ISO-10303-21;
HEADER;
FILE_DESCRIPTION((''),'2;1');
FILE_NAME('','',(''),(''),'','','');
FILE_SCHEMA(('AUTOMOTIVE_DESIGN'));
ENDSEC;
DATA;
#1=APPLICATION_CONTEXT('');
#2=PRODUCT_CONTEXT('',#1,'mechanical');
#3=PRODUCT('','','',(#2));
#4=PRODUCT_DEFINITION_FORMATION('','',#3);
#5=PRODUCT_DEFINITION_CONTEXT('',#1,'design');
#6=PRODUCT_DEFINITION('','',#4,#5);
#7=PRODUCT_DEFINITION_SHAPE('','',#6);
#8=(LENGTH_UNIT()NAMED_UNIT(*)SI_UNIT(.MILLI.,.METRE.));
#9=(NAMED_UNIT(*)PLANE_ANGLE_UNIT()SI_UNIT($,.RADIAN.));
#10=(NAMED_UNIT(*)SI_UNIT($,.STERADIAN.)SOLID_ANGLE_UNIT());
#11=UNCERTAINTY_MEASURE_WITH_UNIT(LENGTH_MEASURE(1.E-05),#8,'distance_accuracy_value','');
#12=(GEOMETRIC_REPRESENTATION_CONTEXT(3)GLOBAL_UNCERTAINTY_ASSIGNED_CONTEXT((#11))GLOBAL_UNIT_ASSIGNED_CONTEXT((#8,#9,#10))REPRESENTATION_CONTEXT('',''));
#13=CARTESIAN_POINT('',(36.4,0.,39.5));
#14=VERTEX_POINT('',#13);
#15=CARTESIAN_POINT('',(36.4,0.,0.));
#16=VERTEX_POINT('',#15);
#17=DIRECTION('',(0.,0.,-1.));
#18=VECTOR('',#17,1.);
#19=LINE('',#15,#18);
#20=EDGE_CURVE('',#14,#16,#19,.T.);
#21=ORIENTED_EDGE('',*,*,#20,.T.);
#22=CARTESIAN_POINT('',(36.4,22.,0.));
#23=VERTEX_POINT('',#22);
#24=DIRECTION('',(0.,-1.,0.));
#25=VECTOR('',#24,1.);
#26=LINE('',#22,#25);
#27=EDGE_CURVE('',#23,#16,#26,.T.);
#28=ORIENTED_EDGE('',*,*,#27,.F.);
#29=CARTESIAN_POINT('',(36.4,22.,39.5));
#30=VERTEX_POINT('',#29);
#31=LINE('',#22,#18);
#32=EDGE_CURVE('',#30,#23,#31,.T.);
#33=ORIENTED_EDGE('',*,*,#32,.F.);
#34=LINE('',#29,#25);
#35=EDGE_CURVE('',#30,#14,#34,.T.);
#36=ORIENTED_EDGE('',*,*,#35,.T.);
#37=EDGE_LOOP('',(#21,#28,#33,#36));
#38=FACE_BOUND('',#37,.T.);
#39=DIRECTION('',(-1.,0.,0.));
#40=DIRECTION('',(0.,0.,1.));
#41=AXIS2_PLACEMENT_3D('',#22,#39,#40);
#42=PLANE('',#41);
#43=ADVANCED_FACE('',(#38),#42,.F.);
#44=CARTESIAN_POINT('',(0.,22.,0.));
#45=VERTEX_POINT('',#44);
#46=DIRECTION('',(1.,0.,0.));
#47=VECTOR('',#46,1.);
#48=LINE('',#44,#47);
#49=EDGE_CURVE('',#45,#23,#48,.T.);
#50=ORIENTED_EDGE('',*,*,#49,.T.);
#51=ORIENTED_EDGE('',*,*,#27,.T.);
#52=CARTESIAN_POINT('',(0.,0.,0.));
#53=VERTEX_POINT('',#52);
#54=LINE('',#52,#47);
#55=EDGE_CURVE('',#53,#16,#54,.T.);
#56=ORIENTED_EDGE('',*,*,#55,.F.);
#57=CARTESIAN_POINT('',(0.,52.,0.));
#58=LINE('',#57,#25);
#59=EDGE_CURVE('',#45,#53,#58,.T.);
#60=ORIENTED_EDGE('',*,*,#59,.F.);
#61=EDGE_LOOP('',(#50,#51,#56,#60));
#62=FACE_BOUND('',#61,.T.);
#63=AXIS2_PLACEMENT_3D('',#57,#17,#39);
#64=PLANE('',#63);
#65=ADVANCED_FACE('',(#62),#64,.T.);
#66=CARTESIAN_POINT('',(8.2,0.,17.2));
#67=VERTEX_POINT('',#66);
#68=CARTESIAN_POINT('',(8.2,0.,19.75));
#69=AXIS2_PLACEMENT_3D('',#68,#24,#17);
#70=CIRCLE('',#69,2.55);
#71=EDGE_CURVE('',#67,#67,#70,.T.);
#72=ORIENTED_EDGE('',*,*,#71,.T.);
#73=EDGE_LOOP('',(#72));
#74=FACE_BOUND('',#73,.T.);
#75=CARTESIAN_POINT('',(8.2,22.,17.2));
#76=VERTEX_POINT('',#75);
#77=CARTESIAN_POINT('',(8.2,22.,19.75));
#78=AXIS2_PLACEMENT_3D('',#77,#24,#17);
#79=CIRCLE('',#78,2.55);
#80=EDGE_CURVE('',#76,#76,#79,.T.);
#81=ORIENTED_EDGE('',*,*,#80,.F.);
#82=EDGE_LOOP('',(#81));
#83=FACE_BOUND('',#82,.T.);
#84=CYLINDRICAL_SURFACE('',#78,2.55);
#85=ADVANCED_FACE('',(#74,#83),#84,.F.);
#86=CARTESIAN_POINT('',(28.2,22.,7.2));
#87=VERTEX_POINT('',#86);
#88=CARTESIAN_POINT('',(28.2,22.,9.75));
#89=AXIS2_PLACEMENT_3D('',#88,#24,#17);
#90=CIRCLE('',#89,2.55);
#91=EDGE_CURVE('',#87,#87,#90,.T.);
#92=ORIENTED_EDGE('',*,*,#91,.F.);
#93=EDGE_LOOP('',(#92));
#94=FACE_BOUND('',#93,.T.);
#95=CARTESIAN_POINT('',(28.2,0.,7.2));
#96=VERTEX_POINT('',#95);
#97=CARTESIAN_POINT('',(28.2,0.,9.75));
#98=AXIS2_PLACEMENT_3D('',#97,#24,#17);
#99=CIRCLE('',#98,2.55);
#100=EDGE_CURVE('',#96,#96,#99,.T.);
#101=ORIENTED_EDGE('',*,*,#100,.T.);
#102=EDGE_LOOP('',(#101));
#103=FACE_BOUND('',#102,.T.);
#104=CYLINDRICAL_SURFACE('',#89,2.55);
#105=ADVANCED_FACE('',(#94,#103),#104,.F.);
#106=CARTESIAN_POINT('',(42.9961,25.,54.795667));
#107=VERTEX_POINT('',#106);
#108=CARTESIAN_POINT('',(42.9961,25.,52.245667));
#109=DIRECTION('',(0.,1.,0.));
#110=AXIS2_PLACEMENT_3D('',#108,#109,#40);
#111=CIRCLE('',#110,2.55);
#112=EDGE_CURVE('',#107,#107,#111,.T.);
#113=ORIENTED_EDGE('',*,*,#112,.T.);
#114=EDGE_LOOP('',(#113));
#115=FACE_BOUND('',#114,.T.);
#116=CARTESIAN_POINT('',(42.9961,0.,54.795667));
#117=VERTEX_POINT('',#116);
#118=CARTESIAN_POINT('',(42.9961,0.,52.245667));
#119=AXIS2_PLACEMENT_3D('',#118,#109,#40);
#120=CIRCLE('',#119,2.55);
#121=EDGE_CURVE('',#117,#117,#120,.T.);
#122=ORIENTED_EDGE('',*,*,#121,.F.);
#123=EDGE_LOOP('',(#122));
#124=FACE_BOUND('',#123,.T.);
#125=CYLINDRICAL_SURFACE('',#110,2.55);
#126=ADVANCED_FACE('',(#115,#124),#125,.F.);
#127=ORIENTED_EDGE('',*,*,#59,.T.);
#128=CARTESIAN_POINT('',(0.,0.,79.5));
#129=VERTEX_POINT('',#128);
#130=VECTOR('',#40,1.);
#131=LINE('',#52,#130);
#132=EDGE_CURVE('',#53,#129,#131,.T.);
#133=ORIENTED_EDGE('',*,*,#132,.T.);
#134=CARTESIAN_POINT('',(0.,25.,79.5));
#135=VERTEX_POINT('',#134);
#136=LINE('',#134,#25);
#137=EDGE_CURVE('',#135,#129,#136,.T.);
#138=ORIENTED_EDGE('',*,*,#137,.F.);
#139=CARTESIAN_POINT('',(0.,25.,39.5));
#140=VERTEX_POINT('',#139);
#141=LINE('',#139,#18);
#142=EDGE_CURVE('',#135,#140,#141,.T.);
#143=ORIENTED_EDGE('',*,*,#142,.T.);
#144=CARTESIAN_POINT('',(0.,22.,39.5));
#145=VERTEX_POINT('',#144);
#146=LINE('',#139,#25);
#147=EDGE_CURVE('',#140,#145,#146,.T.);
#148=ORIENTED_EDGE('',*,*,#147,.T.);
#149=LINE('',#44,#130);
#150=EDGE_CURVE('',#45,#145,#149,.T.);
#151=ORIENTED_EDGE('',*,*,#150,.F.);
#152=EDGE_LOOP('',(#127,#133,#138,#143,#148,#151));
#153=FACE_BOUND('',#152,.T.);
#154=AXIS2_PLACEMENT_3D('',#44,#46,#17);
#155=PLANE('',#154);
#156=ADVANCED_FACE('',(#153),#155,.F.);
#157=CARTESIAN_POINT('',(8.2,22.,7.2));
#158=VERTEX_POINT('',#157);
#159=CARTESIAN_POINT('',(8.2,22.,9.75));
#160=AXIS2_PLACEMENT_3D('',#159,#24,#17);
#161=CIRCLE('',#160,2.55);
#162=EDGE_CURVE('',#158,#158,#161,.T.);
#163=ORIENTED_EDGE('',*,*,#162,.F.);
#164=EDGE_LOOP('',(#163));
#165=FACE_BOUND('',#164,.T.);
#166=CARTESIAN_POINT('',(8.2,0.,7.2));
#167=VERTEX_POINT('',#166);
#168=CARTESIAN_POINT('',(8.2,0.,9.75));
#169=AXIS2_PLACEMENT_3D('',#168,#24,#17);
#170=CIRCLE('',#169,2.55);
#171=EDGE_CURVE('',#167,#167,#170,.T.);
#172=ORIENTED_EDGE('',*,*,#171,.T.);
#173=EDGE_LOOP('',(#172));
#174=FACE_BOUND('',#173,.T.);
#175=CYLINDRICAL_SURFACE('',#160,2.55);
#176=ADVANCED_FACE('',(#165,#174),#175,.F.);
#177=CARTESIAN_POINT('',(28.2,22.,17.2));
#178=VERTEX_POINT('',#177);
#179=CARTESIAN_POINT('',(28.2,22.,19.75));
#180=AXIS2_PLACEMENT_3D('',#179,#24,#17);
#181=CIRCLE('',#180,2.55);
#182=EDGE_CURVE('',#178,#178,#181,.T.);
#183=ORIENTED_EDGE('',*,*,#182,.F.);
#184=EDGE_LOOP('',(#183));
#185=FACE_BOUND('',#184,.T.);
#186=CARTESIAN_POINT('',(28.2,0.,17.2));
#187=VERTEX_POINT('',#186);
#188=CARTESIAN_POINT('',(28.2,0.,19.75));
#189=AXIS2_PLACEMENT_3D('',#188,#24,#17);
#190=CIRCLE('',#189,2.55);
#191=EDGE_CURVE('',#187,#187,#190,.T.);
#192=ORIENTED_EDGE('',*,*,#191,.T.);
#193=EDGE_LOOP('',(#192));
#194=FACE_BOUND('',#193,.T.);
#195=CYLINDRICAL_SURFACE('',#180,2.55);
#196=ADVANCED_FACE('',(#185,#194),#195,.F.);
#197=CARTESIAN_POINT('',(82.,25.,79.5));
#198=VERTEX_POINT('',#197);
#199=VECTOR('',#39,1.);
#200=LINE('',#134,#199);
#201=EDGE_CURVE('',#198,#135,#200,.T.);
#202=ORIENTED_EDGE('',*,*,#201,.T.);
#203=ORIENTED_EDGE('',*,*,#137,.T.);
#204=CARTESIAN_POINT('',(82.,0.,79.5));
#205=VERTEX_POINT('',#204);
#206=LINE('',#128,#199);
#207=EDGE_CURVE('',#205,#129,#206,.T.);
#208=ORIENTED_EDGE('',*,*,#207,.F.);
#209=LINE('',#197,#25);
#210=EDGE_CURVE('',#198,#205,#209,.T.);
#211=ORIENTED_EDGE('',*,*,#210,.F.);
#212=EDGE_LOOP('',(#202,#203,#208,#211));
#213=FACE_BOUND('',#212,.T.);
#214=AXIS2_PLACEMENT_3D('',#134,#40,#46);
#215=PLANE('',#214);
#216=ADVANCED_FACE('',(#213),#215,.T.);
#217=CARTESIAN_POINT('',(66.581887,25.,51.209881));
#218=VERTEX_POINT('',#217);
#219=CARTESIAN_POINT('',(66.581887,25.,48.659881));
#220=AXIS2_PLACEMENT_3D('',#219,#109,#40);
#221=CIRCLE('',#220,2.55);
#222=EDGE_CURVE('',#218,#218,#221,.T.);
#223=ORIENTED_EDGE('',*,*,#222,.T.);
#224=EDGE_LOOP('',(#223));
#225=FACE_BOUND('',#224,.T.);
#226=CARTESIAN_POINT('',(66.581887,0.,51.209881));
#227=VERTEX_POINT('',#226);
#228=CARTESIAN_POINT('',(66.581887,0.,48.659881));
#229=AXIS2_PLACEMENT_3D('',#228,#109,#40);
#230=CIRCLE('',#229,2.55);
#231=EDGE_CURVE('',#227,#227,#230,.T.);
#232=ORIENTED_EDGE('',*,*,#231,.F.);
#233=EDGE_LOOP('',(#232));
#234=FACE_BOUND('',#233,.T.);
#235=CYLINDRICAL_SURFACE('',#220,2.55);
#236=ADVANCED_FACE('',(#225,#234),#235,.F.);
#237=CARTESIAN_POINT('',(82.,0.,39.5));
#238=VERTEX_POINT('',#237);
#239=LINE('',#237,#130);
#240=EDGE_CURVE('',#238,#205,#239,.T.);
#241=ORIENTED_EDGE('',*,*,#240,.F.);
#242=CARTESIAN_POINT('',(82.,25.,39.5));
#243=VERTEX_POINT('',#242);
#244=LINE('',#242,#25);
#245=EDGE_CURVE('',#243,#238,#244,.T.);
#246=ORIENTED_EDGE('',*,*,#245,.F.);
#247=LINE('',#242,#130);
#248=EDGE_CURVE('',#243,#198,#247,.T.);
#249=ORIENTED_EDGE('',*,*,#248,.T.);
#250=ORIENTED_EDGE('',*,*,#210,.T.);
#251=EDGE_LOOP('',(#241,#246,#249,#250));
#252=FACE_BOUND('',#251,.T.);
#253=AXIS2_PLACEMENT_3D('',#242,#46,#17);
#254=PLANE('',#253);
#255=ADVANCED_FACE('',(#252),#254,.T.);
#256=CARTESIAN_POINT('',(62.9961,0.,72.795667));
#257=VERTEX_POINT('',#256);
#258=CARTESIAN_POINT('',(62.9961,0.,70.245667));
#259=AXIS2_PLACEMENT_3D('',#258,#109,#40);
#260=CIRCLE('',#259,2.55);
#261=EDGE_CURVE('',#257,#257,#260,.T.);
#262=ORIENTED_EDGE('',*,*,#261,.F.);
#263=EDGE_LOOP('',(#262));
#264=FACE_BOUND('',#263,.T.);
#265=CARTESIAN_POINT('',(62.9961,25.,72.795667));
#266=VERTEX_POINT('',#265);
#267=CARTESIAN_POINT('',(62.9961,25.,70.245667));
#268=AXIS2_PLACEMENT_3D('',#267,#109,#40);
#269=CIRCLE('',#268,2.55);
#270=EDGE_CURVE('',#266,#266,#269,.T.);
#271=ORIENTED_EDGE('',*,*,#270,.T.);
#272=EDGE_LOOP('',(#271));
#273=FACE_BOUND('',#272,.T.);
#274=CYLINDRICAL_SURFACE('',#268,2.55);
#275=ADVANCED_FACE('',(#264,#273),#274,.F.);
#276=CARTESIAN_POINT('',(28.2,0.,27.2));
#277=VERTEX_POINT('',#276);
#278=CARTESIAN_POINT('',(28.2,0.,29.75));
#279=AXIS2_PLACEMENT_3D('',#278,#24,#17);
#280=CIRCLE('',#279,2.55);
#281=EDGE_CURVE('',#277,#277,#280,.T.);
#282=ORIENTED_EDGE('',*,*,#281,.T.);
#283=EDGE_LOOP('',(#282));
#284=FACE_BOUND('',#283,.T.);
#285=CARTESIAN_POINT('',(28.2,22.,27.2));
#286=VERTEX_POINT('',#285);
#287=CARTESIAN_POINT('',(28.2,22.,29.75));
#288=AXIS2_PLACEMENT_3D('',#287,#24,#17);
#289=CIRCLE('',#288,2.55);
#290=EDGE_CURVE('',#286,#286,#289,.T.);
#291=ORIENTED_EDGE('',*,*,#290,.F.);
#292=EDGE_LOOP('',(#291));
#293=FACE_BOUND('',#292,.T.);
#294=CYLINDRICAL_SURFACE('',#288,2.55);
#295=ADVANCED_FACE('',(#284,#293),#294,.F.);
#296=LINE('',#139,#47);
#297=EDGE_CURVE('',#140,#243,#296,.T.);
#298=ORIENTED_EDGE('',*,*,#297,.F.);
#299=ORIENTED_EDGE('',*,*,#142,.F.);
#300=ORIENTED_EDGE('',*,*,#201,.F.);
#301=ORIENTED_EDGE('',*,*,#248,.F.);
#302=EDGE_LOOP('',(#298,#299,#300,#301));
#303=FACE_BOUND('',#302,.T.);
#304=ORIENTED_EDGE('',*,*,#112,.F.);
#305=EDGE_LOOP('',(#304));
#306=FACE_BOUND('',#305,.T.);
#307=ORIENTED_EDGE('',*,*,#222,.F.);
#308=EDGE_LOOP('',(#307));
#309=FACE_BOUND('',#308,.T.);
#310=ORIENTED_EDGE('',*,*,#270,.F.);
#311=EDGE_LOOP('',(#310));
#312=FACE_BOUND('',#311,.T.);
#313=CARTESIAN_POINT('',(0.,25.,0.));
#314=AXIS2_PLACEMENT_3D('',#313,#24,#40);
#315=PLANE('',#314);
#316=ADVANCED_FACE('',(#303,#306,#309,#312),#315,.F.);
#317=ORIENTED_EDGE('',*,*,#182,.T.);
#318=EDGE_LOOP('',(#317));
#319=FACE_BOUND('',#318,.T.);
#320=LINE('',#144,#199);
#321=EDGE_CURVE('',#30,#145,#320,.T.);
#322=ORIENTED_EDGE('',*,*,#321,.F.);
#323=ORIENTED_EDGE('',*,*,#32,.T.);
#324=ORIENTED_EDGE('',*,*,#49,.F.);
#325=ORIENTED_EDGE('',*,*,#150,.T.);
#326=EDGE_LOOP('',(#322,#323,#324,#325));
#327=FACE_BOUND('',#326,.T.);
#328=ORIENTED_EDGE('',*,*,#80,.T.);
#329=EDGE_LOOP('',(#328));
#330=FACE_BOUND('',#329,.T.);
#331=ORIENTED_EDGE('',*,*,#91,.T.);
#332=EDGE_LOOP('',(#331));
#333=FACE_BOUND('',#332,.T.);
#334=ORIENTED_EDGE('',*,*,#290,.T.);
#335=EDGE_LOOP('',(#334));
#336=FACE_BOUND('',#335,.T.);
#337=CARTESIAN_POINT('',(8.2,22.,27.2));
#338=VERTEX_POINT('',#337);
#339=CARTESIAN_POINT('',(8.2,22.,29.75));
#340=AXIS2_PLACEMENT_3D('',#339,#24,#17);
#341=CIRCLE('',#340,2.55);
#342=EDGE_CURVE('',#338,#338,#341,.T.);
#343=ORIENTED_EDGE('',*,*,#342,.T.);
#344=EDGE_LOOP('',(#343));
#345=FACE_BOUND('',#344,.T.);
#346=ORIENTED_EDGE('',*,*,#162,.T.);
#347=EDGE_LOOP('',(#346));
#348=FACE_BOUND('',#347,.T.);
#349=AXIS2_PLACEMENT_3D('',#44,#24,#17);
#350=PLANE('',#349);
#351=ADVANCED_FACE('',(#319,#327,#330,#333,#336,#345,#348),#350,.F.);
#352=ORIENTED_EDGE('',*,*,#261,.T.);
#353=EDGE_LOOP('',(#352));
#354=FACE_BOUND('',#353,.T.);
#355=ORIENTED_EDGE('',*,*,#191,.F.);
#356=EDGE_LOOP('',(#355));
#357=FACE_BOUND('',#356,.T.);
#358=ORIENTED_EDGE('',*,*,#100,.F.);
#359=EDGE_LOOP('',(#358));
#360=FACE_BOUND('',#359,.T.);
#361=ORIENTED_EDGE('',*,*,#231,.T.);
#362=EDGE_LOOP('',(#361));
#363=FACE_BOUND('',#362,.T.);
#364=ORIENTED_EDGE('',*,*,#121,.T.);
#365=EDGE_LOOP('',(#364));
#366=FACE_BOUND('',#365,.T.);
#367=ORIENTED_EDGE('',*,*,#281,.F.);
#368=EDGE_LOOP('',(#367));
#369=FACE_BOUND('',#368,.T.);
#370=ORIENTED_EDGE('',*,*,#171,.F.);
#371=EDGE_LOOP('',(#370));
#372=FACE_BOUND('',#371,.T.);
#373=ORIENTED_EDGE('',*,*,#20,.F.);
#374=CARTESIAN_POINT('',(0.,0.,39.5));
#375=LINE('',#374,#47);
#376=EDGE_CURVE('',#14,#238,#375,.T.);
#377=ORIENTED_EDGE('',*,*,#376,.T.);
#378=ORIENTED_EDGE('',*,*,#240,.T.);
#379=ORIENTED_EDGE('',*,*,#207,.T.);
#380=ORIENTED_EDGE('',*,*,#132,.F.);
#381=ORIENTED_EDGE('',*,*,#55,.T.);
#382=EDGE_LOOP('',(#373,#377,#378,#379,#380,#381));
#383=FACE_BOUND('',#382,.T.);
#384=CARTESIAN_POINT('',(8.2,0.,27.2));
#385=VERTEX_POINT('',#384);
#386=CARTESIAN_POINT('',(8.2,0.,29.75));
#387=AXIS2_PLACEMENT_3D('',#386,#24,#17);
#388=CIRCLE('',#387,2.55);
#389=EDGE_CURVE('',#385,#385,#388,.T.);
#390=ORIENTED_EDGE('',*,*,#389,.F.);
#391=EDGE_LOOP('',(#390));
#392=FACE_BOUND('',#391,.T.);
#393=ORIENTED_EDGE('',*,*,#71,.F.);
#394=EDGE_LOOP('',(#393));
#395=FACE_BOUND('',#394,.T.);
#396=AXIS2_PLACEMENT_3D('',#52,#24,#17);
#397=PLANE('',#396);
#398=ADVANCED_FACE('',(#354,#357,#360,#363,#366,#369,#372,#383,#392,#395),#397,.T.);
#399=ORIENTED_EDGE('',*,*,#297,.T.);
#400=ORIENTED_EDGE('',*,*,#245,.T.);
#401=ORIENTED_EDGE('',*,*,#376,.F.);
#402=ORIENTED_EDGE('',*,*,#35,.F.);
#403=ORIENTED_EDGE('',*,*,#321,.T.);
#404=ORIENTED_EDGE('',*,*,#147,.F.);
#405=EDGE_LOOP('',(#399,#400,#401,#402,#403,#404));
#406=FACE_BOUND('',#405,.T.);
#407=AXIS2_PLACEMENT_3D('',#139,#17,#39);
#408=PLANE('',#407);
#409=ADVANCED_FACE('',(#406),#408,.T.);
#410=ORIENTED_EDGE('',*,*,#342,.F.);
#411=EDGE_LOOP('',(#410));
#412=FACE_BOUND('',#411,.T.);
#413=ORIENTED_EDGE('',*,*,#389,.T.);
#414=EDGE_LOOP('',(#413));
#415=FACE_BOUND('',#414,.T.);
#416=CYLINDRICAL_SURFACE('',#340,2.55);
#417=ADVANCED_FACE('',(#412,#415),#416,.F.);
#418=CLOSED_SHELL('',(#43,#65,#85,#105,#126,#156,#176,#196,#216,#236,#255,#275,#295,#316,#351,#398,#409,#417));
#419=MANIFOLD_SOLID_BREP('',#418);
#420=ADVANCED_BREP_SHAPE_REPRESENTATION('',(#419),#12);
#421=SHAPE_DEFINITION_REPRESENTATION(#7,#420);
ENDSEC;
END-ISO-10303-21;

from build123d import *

# Parameters (mm, degrees)
SKETCH1_W               = 36.4
SKETCH1_H               = 39.5
SKETCH1_R               = 2.55
BOSS_EXTRUDE1_DEPTH     = 22
BOSS_EXTRUDE2_START     = -22
SKETCH2_W               = 82
SKETCH2_H               = 40
BOSS_EXTRUDE2_DEPTH     = 25
F_5_0MM_DOWEL_HOLE1_D   = 5.1
CUT_EXTRUDE1_DEPTH      = 30
CUT_EXTRUDE1_DEPTH_BACK = 50
SKETCH3_W               = 85.710853131
SKETCH3_H               = 93.141989814


with BuildPart() as part:
    # Sketch1 → Boss-Extrude1 (new body)
    with BuildSketch(Plane(origin=(0, 0, 0), x_dir=(1, 0, 0), z_dir=(0, 1, 0))):
        with Locations((18.2, 19.75)):
            Rectangle(SKETCH1_W, SKETCH1_H)
        with Locations(Location((8.2, 29.75, 0), (0, 0, 270))):
            Circle(SKETCH1_R, mode=Mode.SUBTRACT)
        with Locations(Location((28.2, 29.75, 0), (0, 0, 270))):
            Circle(SKETCH1_R, mode=Mode.SUBTRACT)
        with Locations(Location((28.2, 19.75, 0), (0, 0, 270))):
            Circle(SKETCH1_R, mode=Mode.SUBTRACT)
        with Locations(Location((28.2, 9.75, 0), (0, 0, 270))):
            Circle(SKETCH1_R, mode=Mode.SUBTRACT)
        with Locations(Location((8.2, 19.75, 0), (0, 0, 270))):
            Circle(SKETCH1_R, mode=Mode.SUBTRACT)
        with Locations(Location((8.2, 9.75, 0), (0, 0, 270))):
            Circle(SKETCH1_R, mode=Mode.SUBTRACT)
    boss_extrude1 = extrude(amount=BOSS_EXTRUDE1_DEPTH)

    # Sketch2 → Boss-Extrude2 (add)
    with BuildSketch(Plane(origin=(0, 22, 0), x_dir=(1, 0, 0), z_dir=(0, 1, 0)).offset(BOSS_EXTRUDE2_START)):
        with Locations((41, 59.5)):
            Rectangle(SKETCH2_W, SKETCH2_H)
    boss_extrude2 = extrude(amount=BOSS_EXTRUDE2_DEPTH)

    # Mirror3: Boss-Extrude1, Boss-Extrude2 across plane
    add(boss_extrude1.mirror(Plane(origin=(0, 22, 0), x_dir=(1, 0, 0), z_dir=(0, 0, -1))))
    add(boss_extrude2.mirror(Plane(origin=(0, 22, 0), x_dir=(1, 0, 0), z_dir=(0, 0, -1))))

    # Ø5.0mm Dowel Hole1 (through all)
    with Locations(Plane(origin=(42.996100309, 25, 52.24566701), x_dir=(0, 0, 1), z_dir=(0, 1, 0))):
        with Locations((0, 0), (18, 20), (-3.585786438, 23.585786437)):
            Hole(F_5_0MM_DOWEL_HOLE1_D / 2)

    # Sketch3 → Cut-Extrude1 (cut, two sides: drawn at the far end of the back side and taken through both)
    with BuildSketch(Plane(origin=(0, 22, 0), x_dir=(1, 0, 0), z_dir=(0, 1, 0)).offset(-CUT_EXTRUDE1_DEPTH_BACK)):
        with Locations((42.855426566, 46.570994907)):
            Rectangle(SKETCH3_W, SKETCH3_H)
    extrude(amount=CUT_EXTRUDE1_DEPTH + CUT_EXTRUDE1_DEPTH_BACK, mode=Mode.SUBTRACT)


solid = part.part
